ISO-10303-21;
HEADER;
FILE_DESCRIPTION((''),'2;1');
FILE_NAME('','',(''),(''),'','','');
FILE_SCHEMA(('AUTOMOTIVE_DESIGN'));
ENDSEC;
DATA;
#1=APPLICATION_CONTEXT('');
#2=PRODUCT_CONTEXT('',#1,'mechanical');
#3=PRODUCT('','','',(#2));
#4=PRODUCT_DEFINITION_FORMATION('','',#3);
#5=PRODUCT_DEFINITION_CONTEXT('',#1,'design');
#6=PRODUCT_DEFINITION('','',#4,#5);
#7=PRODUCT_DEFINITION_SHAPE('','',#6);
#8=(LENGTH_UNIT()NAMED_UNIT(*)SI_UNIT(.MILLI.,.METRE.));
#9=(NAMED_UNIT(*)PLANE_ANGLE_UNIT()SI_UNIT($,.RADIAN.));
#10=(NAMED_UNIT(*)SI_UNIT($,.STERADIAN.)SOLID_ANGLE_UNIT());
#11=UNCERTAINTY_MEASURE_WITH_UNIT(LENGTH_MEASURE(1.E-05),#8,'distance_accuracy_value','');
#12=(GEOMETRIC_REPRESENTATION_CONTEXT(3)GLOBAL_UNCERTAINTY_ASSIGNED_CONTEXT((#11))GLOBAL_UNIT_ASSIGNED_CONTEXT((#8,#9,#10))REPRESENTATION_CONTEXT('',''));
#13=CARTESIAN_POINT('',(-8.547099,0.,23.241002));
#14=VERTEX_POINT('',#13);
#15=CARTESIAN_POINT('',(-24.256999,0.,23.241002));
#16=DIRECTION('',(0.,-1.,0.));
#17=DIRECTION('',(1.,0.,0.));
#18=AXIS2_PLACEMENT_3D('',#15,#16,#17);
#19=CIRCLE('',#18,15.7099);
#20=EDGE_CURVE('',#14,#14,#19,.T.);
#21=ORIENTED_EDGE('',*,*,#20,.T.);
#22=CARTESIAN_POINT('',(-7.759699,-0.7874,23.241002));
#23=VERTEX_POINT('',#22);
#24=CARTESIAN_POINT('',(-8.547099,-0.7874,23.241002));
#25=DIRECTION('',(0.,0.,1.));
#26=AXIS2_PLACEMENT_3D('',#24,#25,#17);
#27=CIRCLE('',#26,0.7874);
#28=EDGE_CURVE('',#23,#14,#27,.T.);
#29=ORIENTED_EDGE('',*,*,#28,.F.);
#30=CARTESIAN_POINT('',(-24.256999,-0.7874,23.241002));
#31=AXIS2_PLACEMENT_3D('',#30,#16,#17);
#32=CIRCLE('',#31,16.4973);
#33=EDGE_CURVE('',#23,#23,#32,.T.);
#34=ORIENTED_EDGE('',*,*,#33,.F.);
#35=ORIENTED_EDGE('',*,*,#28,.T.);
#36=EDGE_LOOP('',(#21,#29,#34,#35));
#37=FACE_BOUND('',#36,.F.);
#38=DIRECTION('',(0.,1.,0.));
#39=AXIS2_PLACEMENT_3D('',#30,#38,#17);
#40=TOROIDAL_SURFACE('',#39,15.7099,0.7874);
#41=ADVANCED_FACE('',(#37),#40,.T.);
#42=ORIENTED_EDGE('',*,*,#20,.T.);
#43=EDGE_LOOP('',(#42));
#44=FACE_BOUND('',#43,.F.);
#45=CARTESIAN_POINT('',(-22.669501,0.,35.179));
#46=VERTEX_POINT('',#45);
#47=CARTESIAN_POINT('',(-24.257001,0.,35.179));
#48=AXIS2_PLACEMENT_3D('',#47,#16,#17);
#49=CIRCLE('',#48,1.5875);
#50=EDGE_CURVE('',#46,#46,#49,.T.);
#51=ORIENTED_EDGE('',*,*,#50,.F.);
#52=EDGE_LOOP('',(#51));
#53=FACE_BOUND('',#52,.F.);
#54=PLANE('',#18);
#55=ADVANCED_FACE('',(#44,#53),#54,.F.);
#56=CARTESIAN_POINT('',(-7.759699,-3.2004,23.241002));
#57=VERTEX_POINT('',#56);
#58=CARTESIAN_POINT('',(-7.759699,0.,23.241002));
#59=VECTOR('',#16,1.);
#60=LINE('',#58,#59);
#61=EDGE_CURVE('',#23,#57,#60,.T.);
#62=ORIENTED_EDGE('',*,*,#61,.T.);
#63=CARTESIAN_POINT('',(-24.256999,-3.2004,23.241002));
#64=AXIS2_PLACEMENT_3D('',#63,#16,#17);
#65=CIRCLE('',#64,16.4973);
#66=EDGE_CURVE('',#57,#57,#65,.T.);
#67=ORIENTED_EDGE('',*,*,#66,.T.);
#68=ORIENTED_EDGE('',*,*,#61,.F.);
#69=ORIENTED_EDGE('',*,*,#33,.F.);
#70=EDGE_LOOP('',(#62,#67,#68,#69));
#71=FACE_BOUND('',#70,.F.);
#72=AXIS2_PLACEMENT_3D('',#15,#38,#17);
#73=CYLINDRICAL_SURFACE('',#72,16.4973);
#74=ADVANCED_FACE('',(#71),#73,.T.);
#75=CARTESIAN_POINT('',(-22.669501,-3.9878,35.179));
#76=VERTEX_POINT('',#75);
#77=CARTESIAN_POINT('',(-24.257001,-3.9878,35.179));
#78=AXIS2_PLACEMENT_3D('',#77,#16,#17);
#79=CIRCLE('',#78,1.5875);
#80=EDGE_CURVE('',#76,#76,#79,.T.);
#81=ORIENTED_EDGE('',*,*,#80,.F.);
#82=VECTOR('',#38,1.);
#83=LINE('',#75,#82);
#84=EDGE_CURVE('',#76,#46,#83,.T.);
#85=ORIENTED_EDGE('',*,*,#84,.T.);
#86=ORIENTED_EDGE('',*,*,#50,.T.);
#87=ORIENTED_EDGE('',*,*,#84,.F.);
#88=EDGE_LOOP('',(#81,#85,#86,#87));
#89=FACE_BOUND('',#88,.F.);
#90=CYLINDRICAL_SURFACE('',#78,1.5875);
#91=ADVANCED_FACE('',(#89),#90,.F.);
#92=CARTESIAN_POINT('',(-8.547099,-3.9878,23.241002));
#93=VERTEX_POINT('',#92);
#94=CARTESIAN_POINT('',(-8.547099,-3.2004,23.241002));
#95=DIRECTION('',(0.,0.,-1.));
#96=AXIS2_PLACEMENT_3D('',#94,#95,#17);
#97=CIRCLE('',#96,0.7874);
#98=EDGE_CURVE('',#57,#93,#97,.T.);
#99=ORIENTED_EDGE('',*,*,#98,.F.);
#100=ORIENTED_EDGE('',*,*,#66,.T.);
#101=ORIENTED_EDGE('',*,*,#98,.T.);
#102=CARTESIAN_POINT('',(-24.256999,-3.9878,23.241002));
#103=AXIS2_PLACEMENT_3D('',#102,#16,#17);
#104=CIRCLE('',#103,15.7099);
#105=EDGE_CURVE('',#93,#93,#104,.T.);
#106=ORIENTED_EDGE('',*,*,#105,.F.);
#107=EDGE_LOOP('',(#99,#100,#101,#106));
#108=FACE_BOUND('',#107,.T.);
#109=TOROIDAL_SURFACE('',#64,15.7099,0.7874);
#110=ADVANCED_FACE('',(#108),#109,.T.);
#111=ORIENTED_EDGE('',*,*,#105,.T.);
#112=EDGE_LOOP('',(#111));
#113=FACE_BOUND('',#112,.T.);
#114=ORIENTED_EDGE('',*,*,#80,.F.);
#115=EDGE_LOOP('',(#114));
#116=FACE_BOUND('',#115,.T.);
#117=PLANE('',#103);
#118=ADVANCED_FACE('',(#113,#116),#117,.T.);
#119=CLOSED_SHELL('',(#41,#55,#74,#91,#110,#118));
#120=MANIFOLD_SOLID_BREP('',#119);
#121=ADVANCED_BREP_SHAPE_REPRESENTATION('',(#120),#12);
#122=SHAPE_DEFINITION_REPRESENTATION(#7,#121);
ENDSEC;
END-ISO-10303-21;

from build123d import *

# Parameters (mm, degrees)
F0_R     = 16.4973
F1_DEPTH = 3.9878
F2_R     = 0.7874
F3_R     = 1.5875
F4_DEPTH = 25.4


with BuildPart() as f1:
    # F0 (on Front) → F1 (new body)
    with BuildSketch(Plane.XZ):
        with Locations((-24.256999, 23.241002)):
            Circle(F0_R)
    extrude(amount=F1_DEPTH)

    # F2
    f2_edges = [f1.edges().sort_by_distance(p)[0] for p in [
        (-40.754299, 0, 23.241002),
        (-40.754299, -3.9878, 23.241002),
    ]]
    fillet(f2_edges, radius=F2_R)

    # F3 (on face) → F4 (cut)
    with BuildSketch(Plane.XZ.offset(3.9878)):
        with Locations((-24.257001, 35.179)):
            Circle(F3_R)
    extrude(amount=-F4_DEPTH, mode=Mode.SUBTRACT)


solid = f1.part
